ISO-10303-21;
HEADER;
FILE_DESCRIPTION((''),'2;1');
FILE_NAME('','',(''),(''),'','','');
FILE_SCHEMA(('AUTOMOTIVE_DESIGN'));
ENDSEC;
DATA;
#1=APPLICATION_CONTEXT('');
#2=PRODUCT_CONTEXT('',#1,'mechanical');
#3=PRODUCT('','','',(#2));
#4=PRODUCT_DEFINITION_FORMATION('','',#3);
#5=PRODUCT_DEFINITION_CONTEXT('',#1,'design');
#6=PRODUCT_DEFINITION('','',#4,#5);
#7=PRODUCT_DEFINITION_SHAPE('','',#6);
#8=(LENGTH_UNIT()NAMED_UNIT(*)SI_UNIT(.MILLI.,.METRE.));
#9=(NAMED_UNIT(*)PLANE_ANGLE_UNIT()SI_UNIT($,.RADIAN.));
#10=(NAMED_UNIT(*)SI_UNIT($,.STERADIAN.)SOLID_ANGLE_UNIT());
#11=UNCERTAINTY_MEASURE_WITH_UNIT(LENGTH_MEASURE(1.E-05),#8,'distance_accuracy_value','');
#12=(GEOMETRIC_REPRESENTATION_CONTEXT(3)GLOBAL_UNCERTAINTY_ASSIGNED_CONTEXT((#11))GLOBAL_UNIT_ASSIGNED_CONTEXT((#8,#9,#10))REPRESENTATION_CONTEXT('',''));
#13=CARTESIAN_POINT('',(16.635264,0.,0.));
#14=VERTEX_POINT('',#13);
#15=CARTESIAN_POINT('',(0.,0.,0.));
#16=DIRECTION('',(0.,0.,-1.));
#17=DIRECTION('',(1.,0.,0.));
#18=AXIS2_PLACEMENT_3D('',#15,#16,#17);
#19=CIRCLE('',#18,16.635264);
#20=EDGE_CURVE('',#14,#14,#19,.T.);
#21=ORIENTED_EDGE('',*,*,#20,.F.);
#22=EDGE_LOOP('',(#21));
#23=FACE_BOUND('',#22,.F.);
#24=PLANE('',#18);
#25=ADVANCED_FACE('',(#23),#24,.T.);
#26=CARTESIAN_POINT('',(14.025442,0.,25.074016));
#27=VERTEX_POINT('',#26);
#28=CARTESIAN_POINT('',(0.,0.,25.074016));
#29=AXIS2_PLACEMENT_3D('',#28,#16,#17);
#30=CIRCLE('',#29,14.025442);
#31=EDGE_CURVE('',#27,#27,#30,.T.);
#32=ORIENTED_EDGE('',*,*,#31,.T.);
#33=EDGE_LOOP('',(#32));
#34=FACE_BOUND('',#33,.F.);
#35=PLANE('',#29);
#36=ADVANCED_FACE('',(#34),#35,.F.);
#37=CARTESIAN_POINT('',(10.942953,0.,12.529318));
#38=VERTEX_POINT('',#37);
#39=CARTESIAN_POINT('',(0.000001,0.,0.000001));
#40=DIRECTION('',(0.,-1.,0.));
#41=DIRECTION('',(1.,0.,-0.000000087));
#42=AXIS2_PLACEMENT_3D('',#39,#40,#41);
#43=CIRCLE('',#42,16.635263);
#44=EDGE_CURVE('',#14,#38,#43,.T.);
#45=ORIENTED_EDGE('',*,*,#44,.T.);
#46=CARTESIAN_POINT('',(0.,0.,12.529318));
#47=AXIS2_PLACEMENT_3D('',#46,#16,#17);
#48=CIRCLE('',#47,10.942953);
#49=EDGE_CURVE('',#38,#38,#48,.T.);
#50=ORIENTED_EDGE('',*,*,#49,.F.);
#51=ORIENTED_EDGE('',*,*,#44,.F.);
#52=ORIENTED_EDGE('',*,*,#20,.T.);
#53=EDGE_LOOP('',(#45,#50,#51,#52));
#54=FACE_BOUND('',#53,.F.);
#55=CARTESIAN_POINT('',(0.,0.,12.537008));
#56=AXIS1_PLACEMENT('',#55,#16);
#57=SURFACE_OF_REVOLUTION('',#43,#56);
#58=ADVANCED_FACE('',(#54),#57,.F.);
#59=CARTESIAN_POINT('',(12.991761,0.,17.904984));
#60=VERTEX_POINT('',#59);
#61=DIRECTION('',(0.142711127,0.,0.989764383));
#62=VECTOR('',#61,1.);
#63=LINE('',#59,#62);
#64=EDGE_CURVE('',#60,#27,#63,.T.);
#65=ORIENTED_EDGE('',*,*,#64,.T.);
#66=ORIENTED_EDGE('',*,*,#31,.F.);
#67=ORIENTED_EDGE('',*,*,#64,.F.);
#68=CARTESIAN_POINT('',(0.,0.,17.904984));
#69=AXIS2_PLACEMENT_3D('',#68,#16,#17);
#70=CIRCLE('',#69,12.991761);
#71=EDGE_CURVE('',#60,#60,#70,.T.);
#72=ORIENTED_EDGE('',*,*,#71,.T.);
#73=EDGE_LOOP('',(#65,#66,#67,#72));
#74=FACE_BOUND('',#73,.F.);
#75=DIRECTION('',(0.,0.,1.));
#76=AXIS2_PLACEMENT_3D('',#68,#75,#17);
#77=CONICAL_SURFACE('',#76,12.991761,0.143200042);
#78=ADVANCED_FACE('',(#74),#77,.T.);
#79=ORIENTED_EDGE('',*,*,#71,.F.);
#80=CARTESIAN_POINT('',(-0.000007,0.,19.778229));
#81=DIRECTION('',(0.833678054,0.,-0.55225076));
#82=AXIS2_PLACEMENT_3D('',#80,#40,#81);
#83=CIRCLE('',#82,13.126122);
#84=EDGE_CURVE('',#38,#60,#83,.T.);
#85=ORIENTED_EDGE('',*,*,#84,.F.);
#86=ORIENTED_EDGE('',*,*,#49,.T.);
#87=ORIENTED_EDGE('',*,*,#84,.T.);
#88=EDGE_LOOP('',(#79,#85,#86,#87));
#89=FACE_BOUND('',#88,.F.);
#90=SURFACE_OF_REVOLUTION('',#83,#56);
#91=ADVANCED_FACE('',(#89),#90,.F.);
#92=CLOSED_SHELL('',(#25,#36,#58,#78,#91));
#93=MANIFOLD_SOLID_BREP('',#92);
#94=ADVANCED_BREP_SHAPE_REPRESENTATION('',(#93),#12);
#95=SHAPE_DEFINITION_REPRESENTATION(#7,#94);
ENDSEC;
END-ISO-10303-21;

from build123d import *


with BuildPart() as f2:
    # F0 (on Front) → F2 (revolve)
    with BuildSketch(Plane.XZ):
        with BuildLine():
            Line((0, 0), (16.635264, 0))
            ThreePointArc((16.635264, 0), (15.145477, 6.880883), (10.942953, 12.529318))
            ThreePointArc((10.942953, 12.529318), (12.265483, 15.103527), (12.991761, 17.904984))
            Line((12.991761, 17.904984), (14.025442, 25.074016))
            Line((14.025442, 25.074016), (0, 25.074016))
            Line((0, 25.074016), (0, 0))
        make_face()
    revolve(axis=Axis((0, 0, 12.537008), (0, 0, -1)))


solid = f2.part
